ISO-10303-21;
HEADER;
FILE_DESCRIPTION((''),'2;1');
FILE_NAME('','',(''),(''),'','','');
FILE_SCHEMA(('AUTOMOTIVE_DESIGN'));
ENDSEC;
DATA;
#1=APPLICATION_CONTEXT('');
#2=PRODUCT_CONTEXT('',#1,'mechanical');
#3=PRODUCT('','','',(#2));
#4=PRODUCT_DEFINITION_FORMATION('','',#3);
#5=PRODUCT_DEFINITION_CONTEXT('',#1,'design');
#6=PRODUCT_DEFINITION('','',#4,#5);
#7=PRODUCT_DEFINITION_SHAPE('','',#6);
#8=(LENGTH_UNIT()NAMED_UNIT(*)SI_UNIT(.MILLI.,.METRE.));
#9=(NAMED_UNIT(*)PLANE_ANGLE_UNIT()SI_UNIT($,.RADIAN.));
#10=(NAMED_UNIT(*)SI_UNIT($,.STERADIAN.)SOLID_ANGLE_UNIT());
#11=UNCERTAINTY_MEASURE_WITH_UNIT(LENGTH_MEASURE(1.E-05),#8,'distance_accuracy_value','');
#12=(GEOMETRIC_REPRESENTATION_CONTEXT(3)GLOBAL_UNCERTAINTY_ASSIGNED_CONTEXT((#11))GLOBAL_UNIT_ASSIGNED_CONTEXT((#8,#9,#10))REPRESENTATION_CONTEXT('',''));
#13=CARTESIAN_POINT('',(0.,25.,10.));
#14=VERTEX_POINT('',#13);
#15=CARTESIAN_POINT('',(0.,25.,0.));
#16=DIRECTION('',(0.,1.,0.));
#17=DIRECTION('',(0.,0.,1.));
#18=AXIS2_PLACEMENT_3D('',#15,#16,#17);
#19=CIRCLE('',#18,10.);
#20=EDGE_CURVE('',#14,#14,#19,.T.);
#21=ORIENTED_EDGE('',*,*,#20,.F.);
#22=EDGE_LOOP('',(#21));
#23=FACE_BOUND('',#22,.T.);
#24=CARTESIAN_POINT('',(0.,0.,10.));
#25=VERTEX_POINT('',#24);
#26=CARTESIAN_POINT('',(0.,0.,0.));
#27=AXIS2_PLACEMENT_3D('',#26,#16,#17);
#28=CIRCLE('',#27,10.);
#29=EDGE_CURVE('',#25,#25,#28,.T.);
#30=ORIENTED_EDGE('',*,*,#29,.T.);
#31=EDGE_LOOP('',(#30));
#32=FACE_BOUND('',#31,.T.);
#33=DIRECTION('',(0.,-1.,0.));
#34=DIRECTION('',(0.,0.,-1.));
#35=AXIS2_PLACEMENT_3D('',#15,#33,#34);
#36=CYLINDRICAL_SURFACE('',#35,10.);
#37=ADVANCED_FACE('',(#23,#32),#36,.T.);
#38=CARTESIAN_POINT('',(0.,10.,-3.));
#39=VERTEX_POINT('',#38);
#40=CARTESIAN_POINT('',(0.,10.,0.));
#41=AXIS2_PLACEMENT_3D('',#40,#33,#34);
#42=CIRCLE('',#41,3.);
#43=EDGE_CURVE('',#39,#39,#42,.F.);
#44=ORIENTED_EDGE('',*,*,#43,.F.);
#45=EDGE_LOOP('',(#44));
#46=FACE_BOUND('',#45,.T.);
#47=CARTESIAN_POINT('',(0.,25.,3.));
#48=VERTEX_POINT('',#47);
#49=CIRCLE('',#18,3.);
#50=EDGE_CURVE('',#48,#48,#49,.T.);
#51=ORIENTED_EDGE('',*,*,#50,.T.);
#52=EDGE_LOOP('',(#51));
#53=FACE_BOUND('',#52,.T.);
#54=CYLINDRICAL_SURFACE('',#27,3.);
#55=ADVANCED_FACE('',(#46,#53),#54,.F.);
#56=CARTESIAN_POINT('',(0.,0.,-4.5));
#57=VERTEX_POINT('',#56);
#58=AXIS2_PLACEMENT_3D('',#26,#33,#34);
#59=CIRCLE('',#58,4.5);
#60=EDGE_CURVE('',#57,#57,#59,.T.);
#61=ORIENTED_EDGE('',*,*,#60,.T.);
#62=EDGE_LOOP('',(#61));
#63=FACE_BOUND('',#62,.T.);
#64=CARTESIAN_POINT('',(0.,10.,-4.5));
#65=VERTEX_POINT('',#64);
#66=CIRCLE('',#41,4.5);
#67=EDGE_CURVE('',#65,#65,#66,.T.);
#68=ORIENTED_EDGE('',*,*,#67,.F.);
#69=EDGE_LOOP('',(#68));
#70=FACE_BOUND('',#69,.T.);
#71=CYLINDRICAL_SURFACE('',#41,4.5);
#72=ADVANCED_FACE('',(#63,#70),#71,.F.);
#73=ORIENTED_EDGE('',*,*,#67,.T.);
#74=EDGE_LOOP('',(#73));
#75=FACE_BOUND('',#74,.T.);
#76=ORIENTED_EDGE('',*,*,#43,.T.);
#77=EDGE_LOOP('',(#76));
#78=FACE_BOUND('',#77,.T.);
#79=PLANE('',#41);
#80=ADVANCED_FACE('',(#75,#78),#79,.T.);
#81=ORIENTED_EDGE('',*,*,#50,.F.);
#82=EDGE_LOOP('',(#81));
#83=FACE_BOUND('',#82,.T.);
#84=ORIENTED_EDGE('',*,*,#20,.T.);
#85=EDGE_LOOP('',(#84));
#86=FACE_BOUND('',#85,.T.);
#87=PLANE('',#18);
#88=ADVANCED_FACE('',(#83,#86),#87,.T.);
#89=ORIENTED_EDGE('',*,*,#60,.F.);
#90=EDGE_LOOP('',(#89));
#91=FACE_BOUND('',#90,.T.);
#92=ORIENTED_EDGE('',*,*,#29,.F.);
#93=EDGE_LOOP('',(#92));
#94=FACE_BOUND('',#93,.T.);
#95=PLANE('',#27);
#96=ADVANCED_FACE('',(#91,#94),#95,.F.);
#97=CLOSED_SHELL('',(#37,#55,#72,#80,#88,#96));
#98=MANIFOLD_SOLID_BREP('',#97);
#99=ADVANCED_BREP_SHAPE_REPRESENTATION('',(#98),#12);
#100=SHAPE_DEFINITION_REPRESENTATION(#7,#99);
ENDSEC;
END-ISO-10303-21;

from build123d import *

# Parameters (mm, degrees)
SKETCH1_R           = 10
BOSS_EXTRUDE1_DEPTH = 25
SKETCH3_R           = 3
CUT_EXTRUDE1_DEPTH  = 29.722813233
SKETCH4_R           = 4.5
CUT_EXTRUDE2_DEPTH  = 10


with BuildPart() as part:
    # Sketch1 → Boss-Extrude1 (new body)
    with BuildSketch(Plane(origin=(0, 0, 0), x_dir=(1, 0, 0), z_dir=(0, 1, 0))):
        with Locations(Location((0, 0, 0), (0, 0, 270))):
            Circle(SKETCH1_R)
    extrude(amount=BOSS_EXTRUDE1_DEPTH)

    # Sketch3 → Cut-Extrude1 (cut, through all)
    with BuildSketch(Plane(origin=(0, 25, 0), x_dir=(1, 0, 0), z_dir=(0, 1, 0))):
        with Locations(Location((0, 0, 0), (0, 0, 270))):
            Circle(SKETCH3_R)
    extrude(amount=-CUT_EXTRUDE1_DEPTH, mode=Mode.SUBTRACT)

    # Sketch4 → Cut-Extrude2 (cut)
    with BuildSketch(Plane.XZ):
        with Locations(Location((0, 0, 0), (0, 0, 270))):
            Circle(SKETCH4_R)
    extrude(amount=-CUT_EXTRUDE2_DEPTH, mode=Mode.SUBTRACT)


solid = part.part
